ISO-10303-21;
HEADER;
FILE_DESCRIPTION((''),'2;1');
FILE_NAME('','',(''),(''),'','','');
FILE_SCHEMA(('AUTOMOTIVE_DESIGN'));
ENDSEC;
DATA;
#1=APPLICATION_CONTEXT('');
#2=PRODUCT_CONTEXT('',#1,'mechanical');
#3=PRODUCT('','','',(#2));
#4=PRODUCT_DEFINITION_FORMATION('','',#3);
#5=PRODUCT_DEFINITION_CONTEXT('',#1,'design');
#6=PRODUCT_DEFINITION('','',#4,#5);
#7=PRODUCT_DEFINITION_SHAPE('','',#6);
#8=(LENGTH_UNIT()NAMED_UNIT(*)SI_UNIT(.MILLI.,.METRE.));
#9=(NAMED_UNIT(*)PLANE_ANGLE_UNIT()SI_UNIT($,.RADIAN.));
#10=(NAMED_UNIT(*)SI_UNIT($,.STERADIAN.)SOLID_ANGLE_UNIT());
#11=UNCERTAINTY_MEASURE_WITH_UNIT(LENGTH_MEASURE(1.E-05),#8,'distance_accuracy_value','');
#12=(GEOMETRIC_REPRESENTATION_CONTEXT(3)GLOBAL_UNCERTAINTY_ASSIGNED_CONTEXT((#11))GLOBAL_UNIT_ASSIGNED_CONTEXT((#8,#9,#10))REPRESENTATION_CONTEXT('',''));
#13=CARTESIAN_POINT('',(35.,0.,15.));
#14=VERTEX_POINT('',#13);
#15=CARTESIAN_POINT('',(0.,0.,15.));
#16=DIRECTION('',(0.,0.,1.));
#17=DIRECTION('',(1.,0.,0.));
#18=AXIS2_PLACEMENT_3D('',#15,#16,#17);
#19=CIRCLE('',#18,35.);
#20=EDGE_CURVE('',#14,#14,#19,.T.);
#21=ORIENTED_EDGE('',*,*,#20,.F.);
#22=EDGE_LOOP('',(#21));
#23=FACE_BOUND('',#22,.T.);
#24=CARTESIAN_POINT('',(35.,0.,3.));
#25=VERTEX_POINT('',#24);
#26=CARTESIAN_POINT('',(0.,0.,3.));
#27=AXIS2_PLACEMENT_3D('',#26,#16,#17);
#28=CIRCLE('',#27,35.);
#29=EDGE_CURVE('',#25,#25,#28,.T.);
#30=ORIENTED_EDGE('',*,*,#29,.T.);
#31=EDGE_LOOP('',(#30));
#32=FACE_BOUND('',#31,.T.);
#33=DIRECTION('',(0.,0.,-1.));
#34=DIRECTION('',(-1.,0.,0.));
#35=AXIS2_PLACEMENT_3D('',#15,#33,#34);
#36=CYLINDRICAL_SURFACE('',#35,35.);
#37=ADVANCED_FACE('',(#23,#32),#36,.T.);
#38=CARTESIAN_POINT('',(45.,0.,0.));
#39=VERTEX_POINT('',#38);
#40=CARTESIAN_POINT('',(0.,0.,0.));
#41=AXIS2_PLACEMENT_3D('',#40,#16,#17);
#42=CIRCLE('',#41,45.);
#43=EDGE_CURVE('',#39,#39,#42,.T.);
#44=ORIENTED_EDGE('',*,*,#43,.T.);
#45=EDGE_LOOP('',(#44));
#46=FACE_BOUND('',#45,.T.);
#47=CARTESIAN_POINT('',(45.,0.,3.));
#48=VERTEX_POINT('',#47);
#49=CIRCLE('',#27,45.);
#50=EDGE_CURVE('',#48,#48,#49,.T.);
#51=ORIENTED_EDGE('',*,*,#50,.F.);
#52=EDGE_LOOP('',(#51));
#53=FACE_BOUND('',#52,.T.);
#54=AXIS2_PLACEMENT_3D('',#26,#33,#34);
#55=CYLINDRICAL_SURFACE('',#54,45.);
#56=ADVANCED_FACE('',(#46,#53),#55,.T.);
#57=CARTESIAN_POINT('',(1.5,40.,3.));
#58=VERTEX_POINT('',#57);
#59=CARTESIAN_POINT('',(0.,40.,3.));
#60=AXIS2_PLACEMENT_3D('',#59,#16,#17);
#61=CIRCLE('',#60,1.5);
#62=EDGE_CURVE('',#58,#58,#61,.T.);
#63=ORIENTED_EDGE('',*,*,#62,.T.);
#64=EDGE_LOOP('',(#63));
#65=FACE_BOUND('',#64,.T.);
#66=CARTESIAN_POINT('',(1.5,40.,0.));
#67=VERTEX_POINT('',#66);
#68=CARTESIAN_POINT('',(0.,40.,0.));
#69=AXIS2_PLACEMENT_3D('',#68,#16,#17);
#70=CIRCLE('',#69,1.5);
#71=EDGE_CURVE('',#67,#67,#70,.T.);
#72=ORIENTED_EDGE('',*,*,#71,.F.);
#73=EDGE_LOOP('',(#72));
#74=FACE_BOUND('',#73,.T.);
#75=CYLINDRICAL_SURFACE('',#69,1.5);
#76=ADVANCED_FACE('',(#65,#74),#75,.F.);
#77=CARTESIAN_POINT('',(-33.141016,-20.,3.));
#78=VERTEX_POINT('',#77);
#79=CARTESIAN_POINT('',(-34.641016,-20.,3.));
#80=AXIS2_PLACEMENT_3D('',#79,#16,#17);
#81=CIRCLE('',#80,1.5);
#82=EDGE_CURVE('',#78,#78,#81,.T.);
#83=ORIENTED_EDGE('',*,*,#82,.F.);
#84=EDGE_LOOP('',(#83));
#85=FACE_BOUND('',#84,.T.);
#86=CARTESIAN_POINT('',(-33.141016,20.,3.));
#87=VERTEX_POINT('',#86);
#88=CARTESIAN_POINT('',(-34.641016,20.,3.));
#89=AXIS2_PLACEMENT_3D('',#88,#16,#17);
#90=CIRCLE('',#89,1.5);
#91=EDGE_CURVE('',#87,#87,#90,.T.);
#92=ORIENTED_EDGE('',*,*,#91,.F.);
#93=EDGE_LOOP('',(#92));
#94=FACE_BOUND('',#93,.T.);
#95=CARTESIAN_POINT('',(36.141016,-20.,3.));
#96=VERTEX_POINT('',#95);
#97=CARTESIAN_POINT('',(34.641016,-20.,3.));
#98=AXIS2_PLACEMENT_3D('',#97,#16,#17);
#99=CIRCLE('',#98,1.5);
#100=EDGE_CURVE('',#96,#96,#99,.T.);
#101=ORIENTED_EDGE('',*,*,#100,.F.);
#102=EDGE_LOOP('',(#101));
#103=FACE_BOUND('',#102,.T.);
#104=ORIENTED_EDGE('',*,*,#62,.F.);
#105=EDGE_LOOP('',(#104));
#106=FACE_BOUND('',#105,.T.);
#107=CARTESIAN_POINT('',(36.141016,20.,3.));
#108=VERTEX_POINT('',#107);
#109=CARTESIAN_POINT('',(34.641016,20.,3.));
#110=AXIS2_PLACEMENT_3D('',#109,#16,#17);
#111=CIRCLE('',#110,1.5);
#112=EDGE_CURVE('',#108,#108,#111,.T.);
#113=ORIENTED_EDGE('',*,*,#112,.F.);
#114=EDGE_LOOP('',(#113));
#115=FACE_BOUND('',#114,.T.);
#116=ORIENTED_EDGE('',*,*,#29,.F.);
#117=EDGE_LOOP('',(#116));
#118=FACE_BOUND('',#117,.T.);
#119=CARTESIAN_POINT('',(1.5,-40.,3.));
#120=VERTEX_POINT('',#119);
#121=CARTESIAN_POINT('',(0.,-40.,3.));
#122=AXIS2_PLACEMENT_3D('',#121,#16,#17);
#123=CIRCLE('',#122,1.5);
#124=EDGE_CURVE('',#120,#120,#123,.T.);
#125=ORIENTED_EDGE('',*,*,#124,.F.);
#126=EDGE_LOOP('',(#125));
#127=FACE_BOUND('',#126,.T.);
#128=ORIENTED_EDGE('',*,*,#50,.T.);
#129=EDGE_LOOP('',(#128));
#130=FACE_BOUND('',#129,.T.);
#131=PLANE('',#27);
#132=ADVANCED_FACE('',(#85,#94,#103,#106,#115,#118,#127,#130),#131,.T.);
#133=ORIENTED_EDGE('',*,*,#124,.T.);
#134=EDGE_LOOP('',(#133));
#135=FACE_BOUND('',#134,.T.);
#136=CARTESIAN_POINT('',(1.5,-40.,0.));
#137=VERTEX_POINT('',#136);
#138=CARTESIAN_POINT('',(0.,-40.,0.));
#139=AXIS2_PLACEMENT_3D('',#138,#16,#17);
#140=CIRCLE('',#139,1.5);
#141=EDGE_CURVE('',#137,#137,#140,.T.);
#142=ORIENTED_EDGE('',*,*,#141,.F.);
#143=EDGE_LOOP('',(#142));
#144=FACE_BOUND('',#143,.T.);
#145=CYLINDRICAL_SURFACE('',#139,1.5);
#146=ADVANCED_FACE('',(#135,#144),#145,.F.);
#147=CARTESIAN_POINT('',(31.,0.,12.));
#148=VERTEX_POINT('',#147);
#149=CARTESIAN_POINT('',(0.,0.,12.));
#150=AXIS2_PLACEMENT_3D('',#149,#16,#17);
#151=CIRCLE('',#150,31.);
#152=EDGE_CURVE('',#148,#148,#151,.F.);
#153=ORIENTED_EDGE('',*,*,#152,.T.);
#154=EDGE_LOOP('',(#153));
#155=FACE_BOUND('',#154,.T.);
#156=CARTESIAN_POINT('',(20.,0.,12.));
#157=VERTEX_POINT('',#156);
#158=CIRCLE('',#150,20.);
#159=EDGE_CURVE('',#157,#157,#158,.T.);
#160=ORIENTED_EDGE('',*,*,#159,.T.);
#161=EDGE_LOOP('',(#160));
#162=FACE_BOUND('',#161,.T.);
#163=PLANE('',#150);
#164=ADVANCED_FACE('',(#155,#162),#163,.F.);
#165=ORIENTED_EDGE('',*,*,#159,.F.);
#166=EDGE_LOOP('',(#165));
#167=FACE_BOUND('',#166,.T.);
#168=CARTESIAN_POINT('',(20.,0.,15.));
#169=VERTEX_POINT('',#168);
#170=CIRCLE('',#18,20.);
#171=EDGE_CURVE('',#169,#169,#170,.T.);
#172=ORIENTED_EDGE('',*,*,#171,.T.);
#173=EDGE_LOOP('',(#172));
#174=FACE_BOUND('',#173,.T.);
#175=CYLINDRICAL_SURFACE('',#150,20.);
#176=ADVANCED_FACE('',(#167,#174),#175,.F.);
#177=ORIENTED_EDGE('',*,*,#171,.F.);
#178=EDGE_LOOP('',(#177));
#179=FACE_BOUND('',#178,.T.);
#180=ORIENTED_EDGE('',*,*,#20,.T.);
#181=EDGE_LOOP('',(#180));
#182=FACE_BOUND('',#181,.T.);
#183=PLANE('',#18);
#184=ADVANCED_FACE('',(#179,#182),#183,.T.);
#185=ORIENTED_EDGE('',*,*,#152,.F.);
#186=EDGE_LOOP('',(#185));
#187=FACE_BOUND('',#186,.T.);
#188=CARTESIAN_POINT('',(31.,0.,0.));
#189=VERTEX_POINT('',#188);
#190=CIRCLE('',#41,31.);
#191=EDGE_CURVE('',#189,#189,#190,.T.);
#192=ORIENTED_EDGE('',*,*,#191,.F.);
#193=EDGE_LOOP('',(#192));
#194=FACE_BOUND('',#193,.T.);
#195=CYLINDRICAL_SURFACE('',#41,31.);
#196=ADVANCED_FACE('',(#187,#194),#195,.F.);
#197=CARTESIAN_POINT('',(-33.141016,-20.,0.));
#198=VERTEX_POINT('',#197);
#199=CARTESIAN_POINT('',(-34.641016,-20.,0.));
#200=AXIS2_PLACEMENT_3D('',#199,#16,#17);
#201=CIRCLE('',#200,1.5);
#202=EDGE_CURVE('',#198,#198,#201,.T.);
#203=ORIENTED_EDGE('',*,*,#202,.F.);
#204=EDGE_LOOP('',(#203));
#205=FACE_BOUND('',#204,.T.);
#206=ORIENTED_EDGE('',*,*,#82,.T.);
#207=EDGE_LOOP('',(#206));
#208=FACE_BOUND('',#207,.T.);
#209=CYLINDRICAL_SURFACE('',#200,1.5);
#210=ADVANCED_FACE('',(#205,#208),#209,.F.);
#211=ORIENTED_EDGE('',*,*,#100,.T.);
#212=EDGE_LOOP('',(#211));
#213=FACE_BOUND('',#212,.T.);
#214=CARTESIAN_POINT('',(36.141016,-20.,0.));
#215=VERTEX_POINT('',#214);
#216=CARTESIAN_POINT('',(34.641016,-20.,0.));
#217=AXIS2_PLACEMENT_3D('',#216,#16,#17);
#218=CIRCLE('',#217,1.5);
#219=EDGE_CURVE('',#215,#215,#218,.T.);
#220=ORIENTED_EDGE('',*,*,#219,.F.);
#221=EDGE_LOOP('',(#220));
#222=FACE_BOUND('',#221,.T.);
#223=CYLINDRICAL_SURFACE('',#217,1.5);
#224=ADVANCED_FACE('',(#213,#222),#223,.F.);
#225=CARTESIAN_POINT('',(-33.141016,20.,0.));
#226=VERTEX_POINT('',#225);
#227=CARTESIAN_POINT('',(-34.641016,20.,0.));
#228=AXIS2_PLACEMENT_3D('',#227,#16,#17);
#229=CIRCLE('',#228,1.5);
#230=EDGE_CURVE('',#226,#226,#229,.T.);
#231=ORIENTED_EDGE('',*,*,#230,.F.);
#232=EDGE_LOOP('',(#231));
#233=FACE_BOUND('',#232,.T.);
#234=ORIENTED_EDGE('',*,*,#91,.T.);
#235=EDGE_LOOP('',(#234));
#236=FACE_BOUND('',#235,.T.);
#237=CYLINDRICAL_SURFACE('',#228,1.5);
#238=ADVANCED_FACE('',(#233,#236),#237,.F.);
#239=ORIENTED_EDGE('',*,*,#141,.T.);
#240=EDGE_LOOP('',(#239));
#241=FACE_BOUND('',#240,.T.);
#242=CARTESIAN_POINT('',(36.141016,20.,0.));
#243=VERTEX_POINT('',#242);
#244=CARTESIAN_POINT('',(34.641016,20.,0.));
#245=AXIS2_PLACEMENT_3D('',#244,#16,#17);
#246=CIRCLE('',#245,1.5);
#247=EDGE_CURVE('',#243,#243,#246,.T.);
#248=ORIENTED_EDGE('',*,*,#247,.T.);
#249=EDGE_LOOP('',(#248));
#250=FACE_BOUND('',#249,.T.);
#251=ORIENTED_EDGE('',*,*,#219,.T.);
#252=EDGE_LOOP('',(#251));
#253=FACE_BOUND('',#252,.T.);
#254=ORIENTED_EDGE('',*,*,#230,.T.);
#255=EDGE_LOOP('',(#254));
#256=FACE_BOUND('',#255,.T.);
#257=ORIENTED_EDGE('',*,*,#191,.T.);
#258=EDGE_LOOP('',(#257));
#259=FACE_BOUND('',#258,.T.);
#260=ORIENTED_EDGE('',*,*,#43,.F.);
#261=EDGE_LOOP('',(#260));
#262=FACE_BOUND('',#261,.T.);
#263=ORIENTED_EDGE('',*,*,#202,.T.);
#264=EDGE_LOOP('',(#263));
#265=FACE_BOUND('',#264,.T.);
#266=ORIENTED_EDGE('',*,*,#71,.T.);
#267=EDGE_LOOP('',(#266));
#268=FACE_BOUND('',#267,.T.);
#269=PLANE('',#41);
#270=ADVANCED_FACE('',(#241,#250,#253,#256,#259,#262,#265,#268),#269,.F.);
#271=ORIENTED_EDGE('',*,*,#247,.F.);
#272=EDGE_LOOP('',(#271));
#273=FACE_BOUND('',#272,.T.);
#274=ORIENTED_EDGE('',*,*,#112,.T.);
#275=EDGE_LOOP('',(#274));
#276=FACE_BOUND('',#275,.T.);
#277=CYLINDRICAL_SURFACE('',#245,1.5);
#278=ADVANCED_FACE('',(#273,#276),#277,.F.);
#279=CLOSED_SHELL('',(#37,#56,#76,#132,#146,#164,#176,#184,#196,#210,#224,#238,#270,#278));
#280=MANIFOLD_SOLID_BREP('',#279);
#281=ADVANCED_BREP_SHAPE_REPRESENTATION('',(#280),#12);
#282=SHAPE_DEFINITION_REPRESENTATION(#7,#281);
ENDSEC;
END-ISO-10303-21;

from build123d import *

# Parameters (mm, degrees)
SKETCH1_R               = 45
BOSS_EXTRUDE3_DEPTH     = 3
SKETCH2_R               = 35
BOSS_EXTRUDE4_DEPTH     = 12
SKETCH3_R               = 31
CUT_EXTRUDE2_DEPTH      = 66.383484153
BOSS_EXTRUDE5_START     = -3
SKETCH4_R               = 35
SKETCH4_R_2             = 20
BOSS_EXTRUDE5_DEPTH     = 3
CUT_EXTRUDE3_DEPTH      = 65.761099435
CUT_EXTRUDE3_DEPTH_BACK = 65.761099435
SKETCH5_R               = 1.5


with BuildPart() as part:
    # Sketch1 → Boss-Extrude3 (new body)
    with BuildSketch(Plane.XY):
        Circle(SKETCH1_R)
    extrude(amount=BOSS_EXTRUDE3_DEPTH)

    # Sketch2 → Boss-Extrude4 (add)
    with BuildSketch(Plane.XY.offset(3)):
        Circle(SKETCH2_R)
    extrude(amount=BOSS_EXTRUDE4_DEPTH)

    # Sketch3 → Cut-Extrude2 (cut, through all)
    with BuildSketch(Plane.XY.offset(15)):
        Circle(SKETCH3_R)
    extrude(amount=-CUT_EXTRUDE2_DEPTH, mode=Mode.SUBTRACT)

    # Sketch4 → Boss-Extrude5 (add)
    with BuildSketch(Plane.XY.offset(15).offset(BOSS_EXTRUDE5_START)):
        Circle(SKETCH4_R)
        Circle(SKETCH4_R_2, mode=Mode.SUBTRACT)
    extrude(amount=BOSS_EXTRUDE5_DEPTH)

    # Sketch5 → Cut-Extrude3 (cut, two sides: drawn at the far end of the back side and taken through both)
    with BuildSketch(Plane.XY.offset(3).offset(-CUT_EXTRUDE3_DEPTH_BACK)):
        with Locations((0, 40)):
            Circle(SKETCH5_R)
        with Locations((34.641016151, 20)):
            Circle(SKETCH5_R)
        with Locations((34.641016151, -20)):
            Circle(SKETCH5_R)
        with Locations((0, -40)):
            Circle(SKETCH5_R)
        with Locations((-34.641016151, -20)):
            Circle(SKETCH5_R)
        with Locations((-34.641016151, 20)):
            Circle(SKETCH5_R)
    extrude(amount=CUT_EXTRUDE3_DEPTH + CUT_EXTRUDE3_DEPTH_BACK, mode=Mode.SUBTRACT)


solid = part.part
